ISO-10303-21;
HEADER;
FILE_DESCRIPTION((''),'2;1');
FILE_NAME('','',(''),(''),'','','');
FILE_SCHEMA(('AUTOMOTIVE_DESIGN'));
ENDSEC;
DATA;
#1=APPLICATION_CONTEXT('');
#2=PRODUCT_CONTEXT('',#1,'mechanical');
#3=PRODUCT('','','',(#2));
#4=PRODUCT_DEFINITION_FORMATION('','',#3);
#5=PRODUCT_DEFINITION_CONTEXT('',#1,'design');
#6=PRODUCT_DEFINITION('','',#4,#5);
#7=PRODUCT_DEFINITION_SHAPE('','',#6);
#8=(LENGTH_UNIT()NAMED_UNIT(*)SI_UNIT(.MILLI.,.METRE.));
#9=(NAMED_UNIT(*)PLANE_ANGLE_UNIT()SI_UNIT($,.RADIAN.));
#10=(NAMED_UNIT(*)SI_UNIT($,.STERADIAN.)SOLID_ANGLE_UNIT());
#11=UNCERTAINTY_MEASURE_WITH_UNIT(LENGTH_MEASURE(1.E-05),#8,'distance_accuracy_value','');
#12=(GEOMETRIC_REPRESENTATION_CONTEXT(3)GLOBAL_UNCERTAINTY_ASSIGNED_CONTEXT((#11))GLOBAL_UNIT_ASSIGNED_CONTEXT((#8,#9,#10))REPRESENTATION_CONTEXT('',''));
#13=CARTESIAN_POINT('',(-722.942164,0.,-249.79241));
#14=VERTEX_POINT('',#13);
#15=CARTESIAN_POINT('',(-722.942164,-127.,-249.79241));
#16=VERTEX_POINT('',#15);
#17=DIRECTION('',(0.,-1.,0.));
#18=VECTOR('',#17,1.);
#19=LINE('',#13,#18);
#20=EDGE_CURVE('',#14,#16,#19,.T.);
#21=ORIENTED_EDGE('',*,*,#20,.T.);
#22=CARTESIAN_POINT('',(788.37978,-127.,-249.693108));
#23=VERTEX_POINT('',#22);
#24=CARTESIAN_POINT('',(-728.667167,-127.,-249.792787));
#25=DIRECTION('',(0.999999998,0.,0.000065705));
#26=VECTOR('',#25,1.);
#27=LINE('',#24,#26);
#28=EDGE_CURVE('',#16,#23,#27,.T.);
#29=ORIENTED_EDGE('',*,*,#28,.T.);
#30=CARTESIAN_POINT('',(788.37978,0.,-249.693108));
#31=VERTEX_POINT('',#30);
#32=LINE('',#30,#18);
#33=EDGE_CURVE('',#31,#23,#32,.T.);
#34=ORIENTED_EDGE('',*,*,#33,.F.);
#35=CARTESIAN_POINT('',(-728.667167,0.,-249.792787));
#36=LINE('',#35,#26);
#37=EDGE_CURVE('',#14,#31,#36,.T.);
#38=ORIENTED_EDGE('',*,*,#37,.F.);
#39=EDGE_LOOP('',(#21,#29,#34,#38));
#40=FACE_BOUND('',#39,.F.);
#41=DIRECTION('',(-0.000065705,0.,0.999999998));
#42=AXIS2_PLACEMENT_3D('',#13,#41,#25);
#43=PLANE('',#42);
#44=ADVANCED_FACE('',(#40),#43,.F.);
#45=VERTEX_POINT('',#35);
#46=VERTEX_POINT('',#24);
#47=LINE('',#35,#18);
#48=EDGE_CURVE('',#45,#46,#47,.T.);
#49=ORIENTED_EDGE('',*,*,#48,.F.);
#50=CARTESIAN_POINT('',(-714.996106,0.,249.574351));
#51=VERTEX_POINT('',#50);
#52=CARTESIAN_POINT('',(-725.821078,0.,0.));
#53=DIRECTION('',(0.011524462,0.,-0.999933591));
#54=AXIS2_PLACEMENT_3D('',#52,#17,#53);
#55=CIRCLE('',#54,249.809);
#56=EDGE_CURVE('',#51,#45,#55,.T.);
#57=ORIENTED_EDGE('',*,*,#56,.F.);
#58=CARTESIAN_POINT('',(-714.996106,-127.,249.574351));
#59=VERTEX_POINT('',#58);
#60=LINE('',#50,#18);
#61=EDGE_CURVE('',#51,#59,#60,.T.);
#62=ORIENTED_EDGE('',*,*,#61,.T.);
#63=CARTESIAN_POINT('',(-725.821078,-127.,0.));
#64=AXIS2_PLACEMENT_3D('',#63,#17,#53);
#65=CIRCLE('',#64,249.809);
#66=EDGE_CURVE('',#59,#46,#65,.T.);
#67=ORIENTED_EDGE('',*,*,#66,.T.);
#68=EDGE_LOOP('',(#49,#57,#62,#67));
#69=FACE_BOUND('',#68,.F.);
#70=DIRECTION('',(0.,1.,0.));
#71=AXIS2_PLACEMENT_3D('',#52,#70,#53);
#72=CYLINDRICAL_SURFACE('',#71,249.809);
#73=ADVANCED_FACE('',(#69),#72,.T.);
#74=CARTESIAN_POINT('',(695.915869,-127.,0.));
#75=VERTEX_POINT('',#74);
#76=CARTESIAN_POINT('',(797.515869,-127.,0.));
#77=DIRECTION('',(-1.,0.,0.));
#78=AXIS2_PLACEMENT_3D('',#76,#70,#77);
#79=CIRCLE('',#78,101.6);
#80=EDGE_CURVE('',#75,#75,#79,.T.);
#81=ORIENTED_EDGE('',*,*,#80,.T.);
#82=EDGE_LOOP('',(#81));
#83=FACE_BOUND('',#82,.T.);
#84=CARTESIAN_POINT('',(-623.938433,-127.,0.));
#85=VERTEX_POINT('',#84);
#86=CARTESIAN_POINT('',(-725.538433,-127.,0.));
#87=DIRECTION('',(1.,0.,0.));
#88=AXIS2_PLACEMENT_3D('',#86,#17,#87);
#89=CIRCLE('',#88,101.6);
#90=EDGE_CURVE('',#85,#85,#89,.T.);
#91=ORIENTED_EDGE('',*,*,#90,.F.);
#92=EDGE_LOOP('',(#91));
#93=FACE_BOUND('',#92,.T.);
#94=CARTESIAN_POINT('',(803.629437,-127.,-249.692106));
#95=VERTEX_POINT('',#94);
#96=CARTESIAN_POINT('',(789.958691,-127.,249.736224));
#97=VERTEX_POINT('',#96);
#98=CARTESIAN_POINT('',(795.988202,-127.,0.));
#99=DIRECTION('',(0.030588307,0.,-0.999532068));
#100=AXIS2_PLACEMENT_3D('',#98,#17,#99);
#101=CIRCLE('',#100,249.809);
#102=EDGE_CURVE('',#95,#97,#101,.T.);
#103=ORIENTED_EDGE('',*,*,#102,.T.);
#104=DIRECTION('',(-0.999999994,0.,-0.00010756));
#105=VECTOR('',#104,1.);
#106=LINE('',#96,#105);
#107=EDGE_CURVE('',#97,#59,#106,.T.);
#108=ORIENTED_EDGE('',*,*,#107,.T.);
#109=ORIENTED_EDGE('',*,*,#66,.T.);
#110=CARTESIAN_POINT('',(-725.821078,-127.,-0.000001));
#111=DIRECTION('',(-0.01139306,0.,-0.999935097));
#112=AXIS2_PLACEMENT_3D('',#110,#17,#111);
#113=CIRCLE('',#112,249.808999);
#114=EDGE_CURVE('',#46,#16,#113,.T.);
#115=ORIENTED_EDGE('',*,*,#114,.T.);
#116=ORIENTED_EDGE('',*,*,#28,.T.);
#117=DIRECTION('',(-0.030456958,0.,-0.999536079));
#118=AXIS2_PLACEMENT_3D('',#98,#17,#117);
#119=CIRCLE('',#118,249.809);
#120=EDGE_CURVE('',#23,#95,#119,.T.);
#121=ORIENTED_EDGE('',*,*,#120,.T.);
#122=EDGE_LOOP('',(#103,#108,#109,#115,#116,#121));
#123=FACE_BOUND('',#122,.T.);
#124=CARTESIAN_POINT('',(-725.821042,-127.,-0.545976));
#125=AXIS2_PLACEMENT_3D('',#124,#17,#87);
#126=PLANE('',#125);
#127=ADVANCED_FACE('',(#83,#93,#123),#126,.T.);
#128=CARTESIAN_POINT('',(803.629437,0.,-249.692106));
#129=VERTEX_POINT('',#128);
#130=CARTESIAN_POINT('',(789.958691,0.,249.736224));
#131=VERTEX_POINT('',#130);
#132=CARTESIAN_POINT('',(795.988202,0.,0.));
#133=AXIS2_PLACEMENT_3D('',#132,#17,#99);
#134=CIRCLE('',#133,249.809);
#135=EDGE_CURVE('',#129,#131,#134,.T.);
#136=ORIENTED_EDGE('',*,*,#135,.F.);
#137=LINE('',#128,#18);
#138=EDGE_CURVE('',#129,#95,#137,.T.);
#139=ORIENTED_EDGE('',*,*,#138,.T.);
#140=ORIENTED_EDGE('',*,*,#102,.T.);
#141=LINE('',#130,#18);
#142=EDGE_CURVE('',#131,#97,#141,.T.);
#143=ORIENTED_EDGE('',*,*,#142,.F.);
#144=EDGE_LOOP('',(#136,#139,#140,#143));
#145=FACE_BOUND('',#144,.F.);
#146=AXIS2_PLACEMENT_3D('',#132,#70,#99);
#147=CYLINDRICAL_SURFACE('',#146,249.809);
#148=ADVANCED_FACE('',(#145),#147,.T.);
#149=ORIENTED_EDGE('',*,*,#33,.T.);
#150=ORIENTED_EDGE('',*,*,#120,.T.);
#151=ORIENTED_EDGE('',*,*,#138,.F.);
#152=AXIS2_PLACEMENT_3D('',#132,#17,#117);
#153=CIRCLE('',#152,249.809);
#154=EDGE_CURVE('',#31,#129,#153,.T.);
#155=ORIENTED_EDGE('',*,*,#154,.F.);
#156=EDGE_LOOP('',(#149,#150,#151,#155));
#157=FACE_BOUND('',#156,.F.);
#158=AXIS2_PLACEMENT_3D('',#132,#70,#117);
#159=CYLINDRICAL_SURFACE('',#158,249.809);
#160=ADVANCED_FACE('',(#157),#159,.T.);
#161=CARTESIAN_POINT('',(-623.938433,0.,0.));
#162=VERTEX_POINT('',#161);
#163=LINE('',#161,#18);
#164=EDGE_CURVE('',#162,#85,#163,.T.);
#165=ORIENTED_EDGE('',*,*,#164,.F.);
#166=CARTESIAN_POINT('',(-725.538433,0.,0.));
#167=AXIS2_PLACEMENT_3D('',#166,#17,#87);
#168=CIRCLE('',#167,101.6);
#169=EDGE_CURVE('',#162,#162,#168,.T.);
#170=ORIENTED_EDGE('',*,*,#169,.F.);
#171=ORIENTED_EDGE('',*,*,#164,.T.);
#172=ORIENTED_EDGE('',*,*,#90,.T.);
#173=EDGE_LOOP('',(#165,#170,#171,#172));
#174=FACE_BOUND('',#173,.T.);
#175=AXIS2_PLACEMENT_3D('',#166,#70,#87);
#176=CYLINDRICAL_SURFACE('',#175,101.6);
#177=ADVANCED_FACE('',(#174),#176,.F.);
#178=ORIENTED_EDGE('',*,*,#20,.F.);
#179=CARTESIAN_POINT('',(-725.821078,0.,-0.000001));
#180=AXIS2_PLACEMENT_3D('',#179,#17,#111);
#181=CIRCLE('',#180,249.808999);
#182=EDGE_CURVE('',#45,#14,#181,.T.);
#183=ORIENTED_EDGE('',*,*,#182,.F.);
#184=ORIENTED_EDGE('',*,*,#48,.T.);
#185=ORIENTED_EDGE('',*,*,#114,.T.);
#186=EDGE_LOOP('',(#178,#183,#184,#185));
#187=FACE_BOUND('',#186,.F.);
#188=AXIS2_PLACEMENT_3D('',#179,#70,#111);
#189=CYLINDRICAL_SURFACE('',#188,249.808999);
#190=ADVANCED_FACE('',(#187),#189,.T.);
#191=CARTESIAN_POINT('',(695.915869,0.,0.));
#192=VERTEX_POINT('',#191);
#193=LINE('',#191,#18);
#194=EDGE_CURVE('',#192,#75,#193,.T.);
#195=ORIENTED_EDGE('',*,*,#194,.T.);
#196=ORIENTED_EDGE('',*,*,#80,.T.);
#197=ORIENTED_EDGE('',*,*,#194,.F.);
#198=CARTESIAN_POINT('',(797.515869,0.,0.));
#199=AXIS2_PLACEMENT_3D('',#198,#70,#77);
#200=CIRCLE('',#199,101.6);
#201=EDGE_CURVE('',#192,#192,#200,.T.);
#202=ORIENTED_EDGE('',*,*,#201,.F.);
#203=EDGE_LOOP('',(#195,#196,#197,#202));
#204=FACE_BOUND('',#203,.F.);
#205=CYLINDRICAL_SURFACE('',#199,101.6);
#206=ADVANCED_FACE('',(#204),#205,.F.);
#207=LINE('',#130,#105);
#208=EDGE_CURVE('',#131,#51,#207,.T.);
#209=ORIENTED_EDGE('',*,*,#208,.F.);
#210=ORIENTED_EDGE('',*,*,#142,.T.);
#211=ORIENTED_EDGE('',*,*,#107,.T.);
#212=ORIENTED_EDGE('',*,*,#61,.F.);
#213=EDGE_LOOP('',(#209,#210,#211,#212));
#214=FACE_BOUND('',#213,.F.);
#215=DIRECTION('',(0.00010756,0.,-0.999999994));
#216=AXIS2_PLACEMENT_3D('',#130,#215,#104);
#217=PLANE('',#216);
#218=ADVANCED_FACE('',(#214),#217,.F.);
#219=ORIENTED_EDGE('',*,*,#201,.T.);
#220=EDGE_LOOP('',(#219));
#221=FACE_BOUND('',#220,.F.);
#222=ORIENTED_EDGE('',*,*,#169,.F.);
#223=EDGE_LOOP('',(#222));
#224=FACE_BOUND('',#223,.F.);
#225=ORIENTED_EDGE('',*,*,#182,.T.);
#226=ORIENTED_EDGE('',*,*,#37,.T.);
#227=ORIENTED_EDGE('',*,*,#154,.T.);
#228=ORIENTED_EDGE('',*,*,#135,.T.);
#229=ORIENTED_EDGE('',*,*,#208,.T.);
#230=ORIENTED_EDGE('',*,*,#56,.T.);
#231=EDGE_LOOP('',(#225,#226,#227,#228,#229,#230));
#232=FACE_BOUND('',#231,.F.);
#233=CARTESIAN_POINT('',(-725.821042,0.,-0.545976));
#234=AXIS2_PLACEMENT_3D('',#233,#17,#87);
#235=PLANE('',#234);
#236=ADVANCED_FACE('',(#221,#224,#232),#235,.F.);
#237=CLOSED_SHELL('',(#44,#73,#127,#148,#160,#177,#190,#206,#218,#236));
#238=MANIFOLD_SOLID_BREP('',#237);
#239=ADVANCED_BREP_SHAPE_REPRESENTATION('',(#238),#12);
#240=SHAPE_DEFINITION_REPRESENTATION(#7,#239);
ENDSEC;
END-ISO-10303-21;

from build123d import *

# Parameters (mm, degrees)
F0_R     = 101.6
F1_DEPTH = 127


with BuildPart() as f1:
    # F0 (on Front) → F1 (new body)
    with BuildSketch(Plane.XZ):
        with BuildLine():
            ThreePointArc((-722.9421635172, -249.79241048), (-548.1645057738, -175.6208384233), (-476.0120778236, 0))
            ThreePointArc((-476.0120778236, 0), (-545.3928207836, 172.7720479201), (-714.9961059612, 249.5743505755))
            ThreePointArc((-714.9961059612, 249.5743505755), (-975.5365160272, 6.8364028409), (-728.6671666698, -249.7927866438))
            Line((-728.6671666698, -249.7927866438), (-722.9421635172, -249.79241048))
        make_face()
        with Locations((-725.5384325981, 0)):
            Circle(F0_R, mode=Mode.SUBTRACT)
        with BuildLine():
            ThreePointArc((-714.9961059612, 249.5743505755), (-545.3928207836, 172.7720479201), (-476.0120778236, 0))
            Line((-476.0120778236, 0), (546.179202095, 0))
            ThreePointArc((546.179202095, 0), (617.2275203446, 174.4968628404), (789.9586907535, 249.7362237922))
            Line((789.9586907535, 249.7362237922), (-714.9961059612, 249.5743505755))
        make_face()
        with BuildLine():
            Line((546.179202095, 0), (-476.0120778236, 0))
            ThreePointArc((-476.0120778236, 0), (-548.1645057738, -175.6208384233), (-722.9421635172, -249.79241048))
            Line((-722.9421635172, -249.79241048), (788.379779932, -249.6931084215))
            ThreePointArc((788.379779932, -249.6931084215), (616.6767568201, -173.9308542911), (546.179202095, 0))
        make_face()
        with BuildLine():
            ThreePointArc((789.9586907535, 249.7362237922), (617.2275203446, 174.4968628404), (546.179202095, 0))
            ThreePointArc((546.179202095, 0), (616.6767568201, -173.9308542911), (788.379779932, -249.6931084215))
            Line((788.379779932, -249.6931084215), (803.6294365785, -249.6921064362))
            ThreePointArc((803.6294365785, -249.6921064362), (975.3110751844, -173.91907218), (1045.797202095, 0))
            ThreePointArc((1045.797202095, 0), (970.4850649354, 178.7606817504), (789.9586907535, 249.7362237922))
        make_face()
        with BuildLine():
            ThreePointArc((899.1158691406, 0), (797.5158691406, -101.6), (695.9158691406, 0))
            ThreePointArc((695.9158691406, 0), (797.5158691406, 101.6), (899.1158691406, 0))
        make_face(mode=Mode.SUBTRACT)
        with BuildLine():
            ThreePointArc((-728.6671666698, -249.7927866438), (-725.8046640158, -249.8089994608), (-722.9421635172, -249.79241048))
            Line((-722.9421635172, -249.79241048), (-728.6671666698, -249.7927866438))
        make_face()
        with BuildLine():
            Line((803.6294365785, -249.6921064362), (788.379779932, -249.6931084215))
            ThreePointArc((788.379779932, -249.6931084215), (796.0046159028, -249.8089994608), (803.6294365785, -249.6921064362))
        make_face()
    extrude(amount=F1_DEPTH)


solid = f1.part
